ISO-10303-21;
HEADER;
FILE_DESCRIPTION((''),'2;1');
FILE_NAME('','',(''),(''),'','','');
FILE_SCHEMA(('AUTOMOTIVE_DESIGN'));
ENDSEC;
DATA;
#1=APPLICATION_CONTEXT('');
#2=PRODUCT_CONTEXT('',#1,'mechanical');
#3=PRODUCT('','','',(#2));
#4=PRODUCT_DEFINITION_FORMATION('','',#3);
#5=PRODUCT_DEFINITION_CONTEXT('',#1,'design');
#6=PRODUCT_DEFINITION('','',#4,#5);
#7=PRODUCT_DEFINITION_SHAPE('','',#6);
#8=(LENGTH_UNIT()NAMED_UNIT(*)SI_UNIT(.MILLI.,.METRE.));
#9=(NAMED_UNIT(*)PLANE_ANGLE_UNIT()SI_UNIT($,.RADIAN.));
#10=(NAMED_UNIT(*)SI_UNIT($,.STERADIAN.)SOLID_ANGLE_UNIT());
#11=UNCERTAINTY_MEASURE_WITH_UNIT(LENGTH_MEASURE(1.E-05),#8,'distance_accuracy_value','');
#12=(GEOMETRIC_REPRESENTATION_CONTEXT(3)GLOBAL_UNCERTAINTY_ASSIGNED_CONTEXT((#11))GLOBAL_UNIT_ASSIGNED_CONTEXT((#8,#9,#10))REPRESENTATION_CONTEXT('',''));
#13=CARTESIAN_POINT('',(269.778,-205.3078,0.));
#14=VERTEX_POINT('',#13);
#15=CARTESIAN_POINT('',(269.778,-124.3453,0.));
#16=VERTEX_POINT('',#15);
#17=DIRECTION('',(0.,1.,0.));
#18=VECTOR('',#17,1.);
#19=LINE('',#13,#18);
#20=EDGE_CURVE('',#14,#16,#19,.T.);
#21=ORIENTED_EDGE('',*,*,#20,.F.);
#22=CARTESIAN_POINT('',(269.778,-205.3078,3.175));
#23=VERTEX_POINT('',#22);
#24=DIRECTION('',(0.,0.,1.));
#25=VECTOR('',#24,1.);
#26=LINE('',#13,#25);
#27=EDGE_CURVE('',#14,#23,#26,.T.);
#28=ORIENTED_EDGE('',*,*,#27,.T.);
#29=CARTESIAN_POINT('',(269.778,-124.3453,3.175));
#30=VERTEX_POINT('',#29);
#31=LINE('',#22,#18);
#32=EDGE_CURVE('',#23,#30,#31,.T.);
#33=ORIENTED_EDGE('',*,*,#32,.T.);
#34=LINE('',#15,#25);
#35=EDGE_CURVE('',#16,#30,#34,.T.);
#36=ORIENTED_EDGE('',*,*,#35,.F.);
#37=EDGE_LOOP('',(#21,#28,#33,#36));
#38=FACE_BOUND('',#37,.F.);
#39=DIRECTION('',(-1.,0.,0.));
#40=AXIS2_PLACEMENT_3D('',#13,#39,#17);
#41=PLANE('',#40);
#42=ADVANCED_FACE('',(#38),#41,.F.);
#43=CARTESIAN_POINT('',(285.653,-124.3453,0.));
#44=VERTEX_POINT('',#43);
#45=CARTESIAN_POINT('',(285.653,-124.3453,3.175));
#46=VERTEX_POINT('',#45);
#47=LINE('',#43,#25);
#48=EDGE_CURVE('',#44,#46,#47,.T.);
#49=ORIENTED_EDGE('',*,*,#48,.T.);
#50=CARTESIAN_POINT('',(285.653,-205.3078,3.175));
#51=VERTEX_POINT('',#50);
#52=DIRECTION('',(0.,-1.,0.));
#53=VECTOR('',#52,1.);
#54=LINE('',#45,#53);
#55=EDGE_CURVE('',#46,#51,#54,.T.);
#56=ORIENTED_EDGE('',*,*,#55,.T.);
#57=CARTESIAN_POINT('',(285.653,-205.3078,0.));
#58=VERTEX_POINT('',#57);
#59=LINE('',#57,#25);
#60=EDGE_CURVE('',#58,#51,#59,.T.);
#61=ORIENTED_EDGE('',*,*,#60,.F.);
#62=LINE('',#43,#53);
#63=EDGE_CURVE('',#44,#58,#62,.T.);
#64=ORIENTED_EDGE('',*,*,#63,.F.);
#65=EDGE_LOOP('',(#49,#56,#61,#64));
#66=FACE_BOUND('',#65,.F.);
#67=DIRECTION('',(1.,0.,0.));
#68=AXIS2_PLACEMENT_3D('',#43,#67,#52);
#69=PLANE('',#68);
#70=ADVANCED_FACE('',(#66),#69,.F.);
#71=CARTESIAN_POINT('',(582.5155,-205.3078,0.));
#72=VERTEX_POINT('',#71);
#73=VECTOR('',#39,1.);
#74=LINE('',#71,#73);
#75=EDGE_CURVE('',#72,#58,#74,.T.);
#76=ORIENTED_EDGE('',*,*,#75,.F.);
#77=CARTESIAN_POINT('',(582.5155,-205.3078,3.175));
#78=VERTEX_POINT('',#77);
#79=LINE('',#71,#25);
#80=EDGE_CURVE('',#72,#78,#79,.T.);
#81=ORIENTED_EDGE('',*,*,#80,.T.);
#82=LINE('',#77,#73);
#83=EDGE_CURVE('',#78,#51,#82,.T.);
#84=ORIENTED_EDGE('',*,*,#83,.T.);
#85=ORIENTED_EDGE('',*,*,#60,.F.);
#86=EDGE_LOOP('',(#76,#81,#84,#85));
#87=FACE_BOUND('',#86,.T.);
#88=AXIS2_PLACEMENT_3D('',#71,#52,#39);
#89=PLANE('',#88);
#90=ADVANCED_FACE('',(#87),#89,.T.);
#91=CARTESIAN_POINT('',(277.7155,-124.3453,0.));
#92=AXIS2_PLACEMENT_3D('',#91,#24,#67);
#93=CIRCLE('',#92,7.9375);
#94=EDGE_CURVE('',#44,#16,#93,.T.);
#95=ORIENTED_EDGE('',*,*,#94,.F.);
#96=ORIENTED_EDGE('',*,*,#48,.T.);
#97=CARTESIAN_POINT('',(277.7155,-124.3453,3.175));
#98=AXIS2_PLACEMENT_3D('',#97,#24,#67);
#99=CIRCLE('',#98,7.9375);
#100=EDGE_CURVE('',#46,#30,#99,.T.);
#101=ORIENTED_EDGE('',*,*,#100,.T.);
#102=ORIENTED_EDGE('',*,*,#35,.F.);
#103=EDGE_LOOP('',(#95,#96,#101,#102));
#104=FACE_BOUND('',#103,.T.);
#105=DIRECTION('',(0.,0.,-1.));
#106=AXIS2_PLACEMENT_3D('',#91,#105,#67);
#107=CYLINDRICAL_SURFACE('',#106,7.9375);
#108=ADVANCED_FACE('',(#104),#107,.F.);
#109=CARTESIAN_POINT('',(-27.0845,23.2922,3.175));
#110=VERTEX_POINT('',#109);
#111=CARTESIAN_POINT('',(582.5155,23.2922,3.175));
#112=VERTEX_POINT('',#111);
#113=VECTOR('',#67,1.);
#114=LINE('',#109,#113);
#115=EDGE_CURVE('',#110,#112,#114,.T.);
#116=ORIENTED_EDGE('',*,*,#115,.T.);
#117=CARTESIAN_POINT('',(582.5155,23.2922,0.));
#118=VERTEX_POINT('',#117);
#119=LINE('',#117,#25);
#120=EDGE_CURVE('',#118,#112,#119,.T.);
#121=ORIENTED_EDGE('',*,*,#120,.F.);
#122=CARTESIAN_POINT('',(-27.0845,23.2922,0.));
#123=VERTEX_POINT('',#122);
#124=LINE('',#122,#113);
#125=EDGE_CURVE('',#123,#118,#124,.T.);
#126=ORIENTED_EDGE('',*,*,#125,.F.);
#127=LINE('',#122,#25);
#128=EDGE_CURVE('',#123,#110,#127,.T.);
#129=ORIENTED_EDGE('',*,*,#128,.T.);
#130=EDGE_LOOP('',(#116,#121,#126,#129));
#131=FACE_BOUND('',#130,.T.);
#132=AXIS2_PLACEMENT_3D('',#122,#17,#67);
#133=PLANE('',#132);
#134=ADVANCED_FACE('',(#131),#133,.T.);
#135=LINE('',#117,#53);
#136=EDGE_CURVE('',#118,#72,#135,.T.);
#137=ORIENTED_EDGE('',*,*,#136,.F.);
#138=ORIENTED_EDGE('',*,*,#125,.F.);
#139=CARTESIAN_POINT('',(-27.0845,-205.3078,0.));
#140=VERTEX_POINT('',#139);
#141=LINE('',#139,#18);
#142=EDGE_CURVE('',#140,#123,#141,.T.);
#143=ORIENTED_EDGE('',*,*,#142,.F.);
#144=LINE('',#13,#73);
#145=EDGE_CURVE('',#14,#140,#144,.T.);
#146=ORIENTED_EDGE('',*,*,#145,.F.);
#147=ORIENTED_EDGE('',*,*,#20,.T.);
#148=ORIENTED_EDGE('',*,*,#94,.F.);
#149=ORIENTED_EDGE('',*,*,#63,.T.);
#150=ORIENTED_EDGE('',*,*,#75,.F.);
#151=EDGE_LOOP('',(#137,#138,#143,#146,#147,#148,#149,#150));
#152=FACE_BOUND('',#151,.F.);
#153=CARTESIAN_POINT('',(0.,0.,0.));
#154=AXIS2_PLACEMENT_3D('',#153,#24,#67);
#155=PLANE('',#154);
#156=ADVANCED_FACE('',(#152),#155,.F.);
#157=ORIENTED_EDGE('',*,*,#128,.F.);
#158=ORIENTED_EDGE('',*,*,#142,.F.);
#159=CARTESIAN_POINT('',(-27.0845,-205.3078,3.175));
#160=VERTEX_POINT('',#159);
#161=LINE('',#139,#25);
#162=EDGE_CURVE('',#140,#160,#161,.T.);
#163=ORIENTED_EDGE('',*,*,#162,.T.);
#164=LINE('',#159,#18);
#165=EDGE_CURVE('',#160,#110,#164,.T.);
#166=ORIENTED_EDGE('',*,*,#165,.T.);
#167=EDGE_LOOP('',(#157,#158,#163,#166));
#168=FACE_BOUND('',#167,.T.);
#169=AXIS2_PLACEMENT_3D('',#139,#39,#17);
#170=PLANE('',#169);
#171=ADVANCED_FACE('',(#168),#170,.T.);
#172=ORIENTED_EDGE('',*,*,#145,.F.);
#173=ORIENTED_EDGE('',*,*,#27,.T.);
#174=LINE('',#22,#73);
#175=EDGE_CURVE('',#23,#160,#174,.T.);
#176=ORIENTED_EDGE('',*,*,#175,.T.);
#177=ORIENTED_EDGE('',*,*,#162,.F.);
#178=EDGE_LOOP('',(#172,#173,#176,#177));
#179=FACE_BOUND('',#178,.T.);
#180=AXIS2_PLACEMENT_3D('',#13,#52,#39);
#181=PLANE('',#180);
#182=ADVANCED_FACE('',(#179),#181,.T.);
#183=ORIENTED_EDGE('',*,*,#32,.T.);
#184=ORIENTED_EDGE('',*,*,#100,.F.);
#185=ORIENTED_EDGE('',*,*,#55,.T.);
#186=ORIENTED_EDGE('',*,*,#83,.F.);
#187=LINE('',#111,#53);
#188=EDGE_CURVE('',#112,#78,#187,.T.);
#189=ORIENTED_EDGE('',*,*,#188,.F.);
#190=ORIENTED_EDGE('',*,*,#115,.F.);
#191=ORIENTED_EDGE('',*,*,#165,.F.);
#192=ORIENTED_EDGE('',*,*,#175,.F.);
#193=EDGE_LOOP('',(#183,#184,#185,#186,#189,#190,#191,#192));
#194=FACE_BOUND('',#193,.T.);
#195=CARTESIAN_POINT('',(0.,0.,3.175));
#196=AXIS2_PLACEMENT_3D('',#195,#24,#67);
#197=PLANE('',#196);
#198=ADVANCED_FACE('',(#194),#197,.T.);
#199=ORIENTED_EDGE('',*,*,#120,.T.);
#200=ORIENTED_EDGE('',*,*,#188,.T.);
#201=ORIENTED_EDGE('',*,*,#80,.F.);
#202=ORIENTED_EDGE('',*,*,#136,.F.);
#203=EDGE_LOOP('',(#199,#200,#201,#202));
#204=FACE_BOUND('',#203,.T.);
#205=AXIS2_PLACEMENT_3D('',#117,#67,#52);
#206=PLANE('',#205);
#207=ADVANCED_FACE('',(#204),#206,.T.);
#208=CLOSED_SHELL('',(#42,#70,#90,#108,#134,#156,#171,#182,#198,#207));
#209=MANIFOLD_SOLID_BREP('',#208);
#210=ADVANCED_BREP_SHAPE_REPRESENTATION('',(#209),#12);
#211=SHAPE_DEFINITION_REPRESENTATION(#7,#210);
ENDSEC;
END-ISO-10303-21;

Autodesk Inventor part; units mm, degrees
ref_plane "YZ Plane" through (0, 0, 0) normal (1, 0, 0) x (0, 1, 0)
ref_plane "XZ Plane" through (0, 0, 0) normal (0, 1, 0) x (-1, 0, 0)
ref_plane "XY Plane" through (0, 0, 0) normal (0, 0, 1) x (1, 0, 0)
sketch "Sketch1" plane through (0, 0, 0) normal (0, 0, 1) x (1, 0, 0)
  line L0 (-27.0845, 23.2922) -> (582.5155, 23.2922)
  line L1 (582.5155, 23.2922) -> (582.5155, -205.3078)
  line L2 (-27.0845, -205.3078) -> (-27.0845, 23.2922)
  line L3 (269.778, -205.3078) -> (269.778, -124.3453)
  line L4 (285.653, -124.3453) -> (285.653, -205.3078)
  arc A0 (285.653, -124.3453) -> (269.778, -124.3453) centre (277.7155, -124.3453) ccw
  line L5 (582.5155, -205.3078) -> (285.653, -205.3078)
  line L6 (269.778, -205.3078) -> (-27.0845, -205.3078)
  dimension "d0" = 609.6
  dimension "d1" = 228.6
  dimension "d2" = 15.875
  dimension "d3" = 304.8
  dimension "d4" = 80.9625
extrude "Extrusion1" add sketch "Sketch1" along normal blind 3.175
properties part number "FE-00015"
